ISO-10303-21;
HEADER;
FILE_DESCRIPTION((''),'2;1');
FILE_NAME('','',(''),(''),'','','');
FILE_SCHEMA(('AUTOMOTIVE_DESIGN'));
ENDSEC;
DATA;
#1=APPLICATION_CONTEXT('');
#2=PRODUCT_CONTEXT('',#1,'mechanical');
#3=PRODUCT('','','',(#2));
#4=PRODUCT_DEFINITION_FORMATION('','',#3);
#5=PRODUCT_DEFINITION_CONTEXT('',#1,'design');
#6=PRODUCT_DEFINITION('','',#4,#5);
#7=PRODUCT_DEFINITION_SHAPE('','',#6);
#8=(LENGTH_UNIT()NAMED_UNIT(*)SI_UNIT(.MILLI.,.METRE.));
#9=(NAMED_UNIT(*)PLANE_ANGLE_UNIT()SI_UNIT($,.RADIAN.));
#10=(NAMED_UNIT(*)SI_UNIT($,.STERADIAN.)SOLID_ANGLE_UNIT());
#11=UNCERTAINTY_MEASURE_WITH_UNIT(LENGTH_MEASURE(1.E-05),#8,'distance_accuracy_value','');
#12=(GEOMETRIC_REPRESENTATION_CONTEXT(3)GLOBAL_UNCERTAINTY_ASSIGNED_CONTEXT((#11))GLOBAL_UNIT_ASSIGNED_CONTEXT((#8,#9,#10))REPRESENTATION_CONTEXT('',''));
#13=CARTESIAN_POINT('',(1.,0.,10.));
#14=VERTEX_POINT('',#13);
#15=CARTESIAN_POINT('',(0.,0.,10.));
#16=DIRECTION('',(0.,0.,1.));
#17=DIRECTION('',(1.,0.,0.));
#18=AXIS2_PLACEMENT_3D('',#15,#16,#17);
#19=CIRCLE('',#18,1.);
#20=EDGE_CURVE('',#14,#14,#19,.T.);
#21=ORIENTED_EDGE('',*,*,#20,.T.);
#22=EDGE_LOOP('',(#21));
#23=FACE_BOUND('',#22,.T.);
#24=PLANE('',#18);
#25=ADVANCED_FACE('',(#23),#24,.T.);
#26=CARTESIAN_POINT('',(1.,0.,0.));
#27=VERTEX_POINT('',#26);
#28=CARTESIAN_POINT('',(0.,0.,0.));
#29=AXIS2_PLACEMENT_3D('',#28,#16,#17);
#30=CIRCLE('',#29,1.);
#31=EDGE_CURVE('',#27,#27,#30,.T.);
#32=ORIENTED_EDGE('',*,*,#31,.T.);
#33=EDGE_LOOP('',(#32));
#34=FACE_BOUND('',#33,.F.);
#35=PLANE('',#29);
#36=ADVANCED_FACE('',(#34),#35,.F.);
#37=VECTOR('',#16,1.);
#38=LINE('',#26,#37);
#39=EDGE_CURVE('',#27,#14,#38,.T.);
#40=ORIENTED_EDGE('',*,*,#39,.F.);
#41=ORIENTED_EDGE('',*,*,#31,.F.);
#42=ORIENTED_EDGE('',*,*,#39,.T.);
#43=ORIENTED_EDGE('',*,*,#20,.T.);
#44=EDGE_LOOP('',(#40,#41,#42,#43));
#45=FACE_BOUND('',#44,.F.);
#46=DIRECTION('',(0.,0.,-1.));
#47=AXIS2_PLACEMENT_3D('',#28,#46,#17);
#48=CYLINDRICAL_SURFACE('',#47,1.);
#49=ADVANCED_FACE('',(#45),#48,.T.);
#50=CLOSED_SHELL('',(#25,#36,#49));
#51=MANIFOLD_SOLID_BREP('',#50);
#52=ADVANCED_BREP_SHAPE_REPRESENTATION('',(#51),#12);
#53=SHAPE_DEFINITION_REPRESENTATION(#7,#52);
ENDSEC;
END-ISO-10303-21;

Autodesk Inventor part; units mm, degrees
ref_plane "YZ Plane" through (0, 0, 0) normal (1, 0, 0) x (0, 1, 0)
ref_plane "XZ Plane" through (0, 0, 0) normal (0, 1, 0) x (-1, 0, 0)
ref_plane "XY Plane" through (0, 0, 0) normal (0, 0, 1) x (1, 0, 0)
sketch "スケッチ1" plane through (0, 0, 0) normal (0, 0, 1) x (1, 0, 0)
  circle A0 centre (0, 0) radius 1
  dimension "d0" = 2
extrude "押し出し1" add sketch "スケッチ1" along normal blind 10
properties part number "Shaft_phi2_L10" material "鋼"
